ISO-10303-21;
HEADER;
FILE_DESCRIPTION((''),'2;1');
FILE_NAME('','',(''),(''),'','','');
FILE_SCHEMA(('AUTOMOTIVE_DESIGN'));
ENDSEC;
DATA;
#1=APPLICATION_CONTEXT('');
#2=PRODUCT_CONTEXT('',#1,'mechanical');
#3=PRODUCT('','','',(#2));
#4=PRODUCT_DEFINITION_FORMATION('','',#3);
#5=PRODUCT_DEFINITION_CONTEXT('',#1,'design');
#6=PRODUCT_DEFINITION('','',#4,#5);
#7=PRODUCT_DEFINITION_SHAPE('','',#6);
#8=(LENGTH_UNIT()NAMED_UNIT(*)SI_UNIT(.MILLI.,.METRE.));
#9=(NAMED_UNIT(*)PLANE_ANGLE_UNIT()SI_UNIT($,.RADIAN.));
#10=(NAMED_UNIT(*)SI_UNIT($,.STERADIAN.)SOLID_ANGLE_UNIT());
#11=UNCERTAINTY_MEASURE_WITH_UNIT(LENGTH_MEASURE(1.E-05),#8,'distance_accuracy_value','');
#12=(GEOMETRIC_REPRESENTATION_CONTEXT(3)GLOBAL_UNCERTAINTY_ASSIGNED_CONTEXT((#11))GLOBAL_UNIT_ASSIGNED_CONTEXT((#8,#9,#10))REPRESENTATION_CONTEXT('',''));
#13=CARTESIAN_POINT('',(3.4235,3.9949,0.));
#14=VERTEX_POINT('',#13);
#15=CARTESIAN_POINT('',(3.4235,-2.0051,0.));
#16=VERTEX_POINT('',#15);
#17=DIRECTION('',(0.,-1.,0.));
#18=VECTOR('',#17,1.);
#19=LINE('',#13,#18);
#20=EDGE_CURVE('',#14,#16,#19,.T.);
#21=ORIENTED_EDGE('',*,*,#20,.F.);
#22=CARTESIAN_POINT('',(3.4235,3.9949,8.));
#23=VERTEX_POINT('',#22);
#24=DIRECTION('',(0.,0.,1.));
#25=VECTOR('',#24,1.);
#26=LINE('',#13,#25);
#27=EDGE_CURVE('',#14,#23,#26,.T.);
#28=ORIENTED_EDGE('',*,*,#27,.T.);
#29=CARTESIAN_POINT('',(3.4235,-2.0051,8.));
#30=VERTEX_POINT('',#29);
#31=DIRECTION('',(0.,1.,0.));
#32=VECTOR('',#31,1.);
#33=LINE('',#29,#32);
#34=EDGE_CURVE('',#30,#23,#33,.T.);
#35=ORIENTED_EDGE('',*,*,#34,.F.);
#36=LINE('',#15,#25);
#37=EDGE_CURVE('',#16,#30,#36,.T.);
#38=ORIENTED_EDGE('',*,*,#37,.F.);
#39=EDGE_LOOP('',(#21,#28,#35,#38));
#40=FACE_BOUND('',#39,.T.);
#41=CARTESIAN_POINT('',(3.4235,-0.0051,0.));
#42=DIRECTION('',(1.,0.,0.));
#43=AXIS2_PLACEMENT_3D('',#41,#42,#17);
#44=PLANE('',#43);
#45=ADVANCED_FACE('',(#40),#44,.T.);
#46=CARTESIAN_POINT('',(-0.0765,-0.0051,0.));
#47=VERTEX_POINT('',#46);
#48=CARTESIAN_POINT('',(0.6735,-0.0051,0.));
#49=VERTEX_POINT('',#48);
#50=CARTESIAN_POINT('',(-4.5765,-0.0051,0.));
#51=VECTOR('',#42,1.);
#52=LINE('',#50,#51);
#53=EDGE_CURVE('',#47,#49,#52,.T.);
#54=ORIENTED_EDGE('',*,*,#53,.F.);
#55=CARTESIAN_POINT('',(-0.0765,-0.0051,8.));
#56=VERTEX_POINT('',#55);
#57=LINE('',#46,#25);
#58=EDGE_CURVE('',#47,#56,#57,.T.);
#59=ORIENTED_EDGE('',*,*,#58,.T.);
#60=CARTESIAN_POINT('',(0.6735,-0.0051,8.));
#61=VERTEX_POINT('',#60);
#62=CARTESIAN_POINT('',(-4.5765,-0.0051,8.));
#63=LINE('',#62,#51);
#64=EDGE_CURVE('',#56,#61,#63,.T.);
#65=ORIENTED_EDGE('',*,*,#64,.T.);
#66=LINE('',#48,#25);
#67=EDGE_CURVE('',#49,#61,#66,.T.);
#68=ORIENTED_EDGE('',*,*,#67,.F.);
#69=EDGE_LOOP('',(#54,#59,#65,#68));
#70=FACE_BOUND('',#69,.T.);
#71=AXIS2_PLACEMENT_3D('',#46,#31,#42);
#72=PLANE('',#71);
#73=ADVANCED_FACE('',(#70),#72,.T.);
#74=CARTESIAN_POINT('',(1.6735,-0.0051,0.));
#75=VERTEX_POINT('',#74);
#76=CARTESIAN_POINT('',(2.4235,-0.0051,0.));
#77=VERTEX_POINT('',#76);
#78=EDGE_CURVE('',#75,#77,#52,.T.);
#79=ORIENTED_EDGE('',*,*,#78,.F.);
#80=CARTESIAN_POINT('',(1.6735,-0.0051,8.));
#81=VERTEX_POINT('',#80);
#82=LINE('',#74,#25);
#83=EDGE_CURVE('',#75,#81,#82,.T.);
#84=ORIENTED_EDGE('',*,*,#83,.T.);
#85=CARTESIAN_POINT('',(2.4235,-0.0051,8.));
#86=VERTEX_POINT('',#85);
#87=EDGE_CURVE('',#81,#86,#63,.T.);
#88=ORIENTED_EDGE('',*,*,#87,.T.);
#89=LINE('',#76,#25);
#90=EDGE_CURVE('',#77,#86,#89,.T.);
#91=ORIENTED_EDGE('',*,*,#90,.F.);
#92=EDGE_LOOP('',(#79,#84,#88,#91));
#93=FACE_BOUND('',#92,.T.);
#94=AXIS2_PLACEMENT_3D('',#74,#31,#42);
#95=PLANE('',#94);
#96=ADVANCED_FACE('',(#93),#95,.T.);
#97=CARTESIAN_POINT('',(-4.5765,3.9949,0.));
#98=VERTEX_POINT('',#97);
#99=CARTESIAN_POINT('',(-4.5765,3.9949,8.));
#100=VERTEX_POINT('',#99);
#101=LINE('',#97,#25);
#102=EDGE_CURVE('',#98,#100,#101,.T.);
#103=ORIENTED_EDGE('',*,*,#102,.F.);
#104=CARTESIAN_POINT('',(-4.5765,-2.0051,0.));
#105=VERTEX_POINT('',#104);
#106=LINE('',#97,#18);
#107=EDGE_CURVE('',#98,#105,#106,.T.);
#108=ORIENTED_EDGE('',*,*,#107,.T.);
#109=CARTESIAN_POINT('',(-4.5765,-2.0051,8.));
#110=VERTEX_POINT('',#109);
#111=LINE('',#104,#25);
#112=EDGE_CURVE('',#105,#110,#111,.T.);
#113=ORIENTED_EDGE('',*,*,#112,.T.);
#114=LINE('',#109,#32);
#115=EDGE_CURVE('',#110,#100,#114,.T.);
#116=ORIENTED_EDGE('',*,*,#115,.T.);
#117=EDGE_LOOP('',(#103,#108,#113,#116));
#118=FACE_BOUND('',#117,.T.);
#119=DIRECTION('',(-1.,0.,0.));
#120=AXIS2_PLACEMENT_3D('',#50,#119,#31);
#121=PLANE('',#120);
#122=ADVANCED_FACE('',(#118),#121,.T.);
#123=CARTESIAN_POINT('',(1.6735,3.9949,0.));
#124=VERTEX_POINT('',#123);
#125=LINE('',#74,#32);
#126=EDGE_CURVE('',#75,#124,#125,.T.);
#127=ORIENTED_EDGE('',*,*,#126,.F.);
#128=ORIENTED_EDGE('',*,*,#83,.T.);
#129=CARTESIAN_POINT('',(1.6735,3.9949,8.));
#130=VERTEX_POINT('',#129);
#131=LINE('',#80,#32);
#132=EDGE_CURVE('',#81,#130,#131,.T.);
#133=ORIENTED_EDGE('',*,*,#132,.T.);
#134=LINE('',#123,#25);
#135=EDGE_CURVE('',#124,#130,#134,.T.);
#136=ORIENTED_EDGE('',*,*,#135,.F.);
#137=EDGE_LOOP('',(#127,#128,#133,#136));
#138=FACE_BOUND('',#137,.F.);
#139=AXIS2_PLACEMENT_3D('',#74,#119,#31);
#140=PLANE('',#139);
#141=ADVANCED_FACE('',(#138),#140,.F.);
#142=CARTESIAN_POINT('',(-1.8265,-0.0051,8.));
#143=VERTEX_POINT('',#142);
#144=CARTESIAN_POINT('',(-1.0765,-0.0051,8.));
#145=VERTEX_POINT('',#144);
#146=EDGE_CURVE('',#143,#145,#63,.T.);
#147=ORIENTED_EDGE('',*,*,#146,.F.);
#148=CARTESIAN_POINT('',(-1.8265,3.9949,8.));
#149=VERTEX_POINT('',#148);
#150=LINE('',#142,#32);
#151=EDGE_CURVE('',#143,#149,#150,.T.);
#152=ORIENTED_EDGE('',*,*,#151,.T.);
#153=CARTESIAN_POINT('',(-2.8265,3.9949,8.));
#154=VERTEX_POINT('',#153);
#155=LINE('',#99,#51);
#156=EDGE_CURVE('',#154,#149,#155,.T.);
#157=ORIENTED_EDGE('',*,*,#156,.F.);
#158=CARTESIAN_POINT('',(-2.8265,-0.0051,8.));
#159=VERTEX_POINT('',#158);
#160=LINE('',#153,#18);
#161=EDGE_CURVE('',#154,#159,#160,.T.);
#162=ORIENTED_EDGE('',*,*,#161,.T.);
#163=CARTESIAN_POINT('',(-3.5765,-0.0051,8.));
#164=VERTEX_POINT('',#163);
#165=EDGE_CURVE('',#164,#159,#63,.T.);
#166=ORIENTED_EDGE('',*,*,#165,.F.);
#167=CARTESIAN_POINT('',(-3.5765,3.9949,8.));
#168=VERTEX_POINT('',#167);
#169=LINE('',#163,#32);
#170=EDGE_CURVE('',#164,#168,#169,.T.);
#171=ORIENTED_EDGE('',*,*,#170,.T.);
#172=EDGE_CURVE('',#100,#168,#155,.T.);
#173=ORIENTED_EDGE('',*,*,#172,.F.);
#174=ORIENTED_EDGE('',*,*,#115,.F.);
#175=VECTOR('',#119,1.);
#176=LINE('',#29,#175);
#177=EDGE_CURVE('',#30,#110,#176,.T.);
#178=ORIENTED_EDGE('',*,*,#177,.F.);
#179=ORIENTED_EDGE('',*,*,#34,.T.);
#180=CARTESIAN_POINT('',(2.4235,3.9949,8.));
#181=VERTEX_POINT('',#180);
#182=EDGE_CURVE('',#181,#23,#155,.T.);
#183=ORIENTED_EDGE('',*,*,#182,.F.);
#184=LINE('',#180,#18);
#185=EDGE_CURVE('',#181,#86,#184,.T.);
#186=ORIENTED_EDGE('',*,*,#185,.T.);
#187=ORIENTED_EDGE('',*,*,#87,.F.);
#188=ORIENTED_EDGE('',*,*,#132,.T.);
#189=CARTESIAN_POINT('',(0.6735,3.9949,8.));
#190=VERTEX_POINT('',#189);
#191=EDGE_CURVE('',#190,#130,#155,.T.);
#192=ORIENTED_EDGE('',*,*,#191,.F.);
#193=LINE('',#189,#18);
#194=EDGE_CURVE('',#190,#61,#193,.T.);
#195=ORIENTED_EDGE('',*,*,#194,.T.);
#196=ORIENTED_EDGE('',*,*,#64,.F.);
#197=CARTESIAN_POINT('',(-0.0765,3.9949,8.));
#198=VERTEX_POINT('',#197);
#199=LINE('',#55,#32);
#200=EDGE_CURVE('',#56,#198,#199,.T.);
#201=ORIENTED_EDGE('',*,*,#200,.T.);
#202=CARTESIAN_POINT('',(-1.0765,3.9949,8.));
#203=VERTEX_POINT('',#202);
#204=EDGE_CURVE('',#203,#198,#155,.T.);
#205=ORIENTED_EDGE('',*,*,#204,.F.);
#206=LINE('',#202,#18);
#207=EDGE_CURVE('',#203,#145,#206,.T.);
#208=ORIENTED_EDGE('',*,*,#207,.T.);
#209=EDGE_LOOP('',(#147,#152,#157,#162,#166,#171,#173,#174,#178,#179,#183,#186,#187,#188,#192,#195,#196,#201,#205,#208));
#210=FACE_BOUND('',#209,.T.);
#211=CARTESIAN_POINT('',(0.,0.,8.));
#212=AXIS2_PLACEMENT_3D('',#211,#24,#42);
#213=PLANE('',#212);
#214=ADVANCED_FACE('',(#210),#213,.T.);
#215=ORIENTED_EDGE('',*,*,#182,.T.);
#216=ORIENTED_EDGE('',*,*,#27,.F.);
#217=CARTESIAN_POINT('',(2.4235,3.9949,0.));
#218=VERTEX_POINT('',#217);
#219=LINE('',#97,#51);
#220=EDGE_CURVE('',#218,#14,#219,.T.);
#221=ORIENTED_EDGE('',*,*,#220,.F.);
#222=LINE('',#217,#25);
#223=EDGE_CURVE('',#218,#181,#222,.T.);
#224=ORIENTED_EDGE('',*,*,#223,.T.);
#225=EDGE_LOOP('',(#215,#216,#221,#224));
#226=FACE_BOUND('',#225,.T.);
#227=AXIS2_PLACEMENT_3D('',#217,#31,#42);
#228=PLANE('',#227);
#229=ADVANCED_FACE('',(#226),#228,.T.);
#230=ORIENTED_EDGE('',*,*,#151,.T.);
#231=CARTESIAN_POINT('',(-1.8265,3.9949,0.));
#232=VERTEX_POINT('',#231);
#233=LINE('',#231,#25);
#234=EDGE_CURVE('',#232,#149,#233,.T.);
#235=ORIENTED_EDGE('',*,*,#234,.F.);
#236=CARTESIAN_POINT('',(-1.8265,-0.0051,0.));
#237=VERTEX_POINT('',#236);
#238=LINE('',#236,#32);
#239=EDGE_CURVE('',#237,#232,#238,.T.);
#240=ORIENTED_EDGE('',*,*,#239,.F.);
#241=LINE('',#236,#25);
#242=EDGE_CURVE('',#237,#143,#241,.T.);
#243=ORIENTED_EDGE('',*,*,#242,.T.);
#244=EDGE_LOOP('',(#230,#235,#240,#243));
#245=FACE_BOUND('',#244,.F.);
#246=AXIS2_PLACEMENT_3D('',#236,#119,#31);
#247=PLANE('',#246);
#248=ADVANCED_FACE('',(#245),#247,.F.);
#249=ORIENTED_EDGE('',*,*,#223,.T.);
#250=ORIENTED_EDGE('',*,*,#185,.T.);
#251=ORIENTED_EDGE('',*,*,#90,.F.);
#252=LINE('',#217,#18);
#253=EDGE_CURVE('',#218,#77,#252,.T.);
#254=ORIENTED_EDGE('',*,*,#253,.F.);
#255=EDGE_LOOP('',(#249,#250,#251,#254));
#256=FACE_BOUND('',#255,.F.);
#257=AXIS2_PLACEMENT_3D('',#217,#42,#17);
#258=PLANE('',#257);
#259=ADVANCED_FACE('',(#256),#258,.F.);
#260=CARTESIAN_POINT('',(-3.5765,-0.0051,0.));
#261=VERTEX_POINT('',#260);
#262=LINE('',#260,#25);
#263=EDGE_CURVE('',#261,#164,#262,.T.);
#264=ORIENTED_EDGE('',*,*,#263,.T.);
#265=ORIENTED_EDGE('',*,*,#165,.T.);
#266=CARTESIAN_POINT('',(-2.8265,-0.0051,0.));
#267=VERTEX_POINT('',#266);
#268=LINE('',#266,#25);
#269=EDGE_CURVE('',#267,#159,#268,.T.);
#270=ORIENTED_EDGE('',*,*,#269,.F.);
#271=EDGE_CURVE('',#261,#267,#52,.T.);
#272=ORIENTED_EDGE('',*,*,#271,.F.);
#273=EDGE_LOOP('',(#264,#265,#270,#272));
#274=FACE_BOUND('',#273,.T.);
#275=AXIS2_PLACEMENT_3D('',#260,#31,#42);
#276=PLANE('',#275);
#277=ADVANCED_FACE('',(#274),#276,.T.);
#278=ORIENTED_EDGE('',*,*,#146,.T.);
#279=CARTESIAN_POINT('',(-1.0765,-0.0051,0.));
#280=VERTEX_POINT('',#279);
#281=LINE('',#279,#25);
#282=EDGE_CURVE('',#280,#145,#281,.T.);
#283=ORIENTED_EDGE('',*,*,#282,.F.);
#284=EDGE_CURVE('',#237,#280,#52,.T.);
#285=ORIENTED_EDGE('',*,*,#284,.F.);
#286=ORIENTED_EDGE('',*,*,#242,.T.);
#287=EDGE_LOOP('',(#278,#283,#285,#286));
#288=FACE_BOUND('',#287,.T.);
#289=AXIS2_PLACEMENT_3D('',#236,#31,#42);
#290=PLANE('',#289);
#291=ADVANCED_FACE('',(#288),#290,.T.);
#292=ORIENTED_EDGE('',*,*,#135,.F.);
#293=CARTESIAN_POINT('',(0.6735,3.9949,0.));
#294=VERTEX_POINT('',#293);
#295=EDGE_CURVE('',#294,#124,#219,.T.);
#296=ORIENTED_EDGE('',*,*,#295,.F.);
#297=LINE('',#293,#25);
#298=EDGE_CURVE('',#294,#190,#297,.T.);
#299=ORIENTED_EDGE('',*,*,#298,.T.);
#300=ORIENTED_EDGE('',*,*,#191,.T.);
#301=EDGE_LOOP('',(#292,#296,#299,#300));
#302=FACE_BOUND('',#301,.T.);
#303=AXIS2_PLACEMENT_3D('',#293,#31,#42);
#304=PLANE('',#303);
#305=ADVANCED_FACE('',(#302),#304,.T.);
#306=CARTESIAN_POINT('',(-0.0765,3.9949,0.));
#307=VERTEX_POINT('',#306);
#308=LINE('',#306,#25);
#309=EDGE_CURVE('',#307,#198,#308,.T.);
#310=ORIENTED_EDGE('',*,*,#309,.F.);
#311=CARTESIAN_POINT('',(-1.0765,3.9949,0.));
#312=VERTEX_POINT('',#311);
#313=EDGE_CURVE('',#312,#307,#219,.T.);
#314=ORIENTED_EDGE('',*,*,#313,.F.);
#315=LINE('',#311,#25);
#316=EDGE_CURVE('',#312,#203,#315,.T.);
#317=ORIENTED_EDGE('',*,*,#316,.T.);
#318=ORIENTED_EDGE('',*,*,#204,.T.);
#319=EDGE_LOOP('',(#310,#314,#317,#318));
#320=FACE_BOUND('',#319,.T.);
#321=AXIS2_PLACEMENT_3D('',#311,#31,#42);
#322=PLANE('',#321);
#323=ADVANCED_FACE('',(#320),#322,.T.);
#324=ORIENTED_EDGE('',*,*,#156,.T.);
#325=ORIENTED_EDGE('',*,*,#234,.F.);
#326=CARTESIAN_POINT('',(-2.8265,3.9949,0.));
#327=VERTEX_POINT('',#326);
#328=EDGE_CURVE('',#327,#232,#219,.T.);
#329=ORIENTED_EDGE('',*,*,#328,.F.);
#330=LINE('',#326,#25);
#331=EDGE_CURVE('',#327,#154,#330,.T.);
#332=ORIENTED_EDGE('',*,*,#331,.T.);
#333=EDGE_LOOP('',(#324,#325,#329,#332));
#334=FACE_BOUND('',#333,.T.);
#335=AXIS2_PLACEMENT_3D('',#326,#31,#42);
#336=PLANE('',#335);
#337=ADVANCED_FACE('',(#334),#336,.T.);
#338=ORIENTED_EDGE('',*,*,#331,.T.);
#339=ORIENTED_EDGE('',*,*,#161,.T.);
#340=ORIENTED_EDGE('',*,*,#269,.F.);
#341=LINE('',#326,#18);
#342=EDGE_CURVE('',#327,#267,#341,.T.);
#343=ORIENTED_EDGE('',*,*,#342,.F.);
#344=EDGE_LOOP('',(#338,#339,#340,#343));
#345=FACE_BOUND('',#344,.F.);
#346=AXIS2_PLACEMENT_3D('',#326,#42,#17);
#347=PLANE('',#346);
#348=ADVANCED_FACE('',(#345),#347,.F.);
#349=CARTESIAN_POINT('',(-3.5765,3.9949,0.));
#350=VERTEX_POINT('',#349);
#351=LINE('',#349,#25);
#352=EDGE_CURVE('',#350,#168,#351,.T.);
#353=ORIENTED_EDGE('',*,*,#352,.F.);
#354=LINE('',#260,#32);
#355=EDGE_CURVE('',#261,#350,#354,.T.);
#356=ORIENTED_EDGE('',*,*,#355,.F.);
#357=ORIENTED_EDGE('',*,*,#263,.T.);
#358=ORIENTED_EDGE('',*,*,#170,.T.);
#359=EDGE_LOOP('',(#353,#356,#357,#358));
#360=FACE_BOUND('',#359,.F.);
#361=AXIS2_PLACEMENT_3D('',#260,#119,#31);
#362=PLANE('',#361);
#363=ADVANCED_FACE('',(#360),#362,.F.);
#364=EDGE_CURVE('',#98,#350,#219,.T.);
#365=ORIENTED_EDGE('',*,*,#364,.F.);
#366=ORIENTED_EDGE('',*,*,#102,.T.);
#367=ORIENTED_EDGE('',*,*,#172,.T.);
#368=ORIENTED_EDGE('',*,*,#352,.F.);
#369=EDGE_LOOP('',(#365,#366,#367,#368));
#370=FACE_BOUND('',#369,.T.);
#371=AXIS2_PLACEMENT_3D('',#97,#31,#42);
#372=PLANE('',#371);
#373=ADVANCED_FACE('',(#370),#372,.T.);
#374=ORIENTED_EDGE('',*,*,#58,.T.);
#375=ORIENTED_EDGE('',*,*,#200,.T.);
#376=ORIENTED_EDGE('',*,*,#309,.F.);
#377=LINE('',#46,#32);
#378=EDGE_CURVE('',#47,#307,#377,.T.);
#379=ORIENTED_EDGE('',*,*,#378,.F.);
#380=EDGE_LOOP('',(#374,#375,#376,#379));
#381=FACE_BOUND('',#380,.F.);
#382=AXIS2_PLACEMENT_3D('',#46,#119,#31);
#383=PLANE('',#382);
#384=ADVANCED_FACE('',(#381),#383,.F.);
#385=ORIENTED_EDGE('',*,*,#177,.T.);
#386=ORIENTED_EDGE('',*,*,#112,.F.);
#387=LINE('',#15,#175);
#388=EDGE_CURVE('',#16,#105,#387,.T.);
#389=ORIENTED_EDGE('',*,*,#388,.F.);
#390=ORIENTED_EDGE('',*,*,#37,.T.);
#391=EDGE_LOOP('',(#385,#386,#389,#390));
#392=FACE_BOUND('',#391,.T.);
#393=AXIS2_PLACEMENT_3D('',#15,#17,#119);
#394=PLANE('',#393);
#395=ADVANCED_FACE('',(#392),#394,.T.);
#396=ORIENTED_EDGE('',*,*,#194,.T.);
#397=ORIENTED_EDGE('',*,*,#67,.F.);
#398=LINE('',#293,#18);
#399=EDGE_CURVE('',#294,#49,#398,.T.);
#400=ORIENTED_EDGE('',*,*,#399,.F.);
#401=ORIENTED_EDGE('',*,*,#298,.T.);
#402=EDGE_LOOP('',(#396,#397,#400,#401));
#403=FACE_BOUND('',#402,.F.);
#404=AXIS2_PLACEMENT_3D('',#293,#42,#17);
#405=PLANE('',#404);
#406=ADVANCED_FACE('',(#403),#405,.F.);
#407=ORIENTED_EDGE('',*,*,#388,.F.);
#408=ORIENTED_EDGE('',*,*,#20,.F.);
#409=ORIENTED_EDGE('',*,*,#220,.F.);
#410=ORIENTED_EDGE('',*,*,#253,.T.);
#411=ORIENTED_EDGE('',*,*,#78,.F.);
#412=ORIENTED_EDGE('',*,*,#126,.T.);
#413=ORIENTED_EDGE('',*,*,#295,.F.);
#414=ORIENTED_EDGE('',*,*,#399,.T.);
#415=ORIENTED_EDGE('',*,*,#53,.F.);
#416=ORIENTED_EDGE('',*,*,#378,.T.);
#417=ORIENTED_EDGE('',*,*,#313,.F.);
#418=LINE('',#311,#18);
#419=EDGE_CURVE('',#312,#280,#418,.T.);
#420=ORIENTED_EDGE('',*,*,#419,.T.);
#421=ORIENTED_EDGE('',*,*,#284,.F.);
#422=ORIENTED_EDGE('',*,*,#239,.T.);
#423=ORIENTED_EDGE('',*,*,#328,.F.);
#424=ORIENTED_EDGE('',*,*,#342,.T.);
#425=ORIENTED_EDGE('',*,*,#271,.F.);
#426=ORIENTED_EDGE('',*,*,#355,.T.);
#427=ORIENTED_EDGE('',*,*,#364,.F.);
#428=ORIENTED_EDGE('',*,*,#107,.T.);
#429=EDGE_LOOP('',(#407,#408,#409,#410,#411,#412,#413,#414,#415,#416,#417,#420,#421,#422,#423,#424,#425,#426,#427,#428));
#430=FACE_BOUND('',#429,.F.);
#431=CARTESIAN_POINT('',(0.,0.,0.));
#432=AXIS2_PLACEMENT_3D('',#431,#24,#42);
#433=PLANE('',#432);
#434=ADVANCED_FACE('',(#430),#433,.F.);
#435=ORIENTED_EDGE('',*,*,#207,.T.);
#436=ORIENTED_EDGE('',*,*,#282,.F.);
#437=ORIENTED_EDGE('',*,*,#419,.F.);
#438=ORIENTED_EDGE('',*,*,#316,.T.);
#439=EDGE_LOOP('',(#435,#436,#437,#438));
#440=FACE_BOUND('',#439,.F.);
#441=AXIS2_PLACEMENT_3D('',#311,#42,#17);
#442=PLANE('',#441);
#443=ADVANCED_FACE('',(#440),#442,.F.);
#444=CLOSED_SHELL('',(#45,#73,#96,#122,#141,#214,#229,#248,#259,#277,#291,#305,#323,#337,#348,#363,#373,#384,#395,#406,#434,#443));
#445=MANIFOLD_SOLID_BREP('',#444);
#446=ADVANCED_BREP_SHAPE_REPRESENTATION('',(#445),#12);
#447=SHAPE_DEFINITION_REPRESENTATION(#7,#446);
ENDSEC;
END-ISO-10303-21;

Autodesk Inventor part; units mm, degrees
ref_plane "YZ Plane" through (0, 0, 0) normal (1, 0, 0) x (0, 1, 0)
ref_plane "XZ Plane" through (0, 0, 0) normal (0, 1, 0) x (-1, 0, 0)
ref_plane "XY Plane" through (0, 0, 0) normal (0, 0, 1) x (1, 0, 0)
sketch "Sketch1" plane through (0, 0, 0) normal (0, 0, 1) x (1, 0, 0)
  line L0 (-4.5765, 3.9949) -> (3.4235, 3.9949)
  line L1 (3.4235, 3.9949) -> (3.4235, -2.0051)
  line L2 (3.4235, -2.0051) -> (-4.5765, -2.0051)
  line L3 (-4.5765, -2.0051) -> (-4.5765, 3.9949)
  line L4 (-4.5765, -0.0051) -> (3.4235, -0.0051)
  line L5 (-3.5765, 3.9949) -> (-2.8265, 3.9949)
  line L6 (-2.8265, 3.9949) -> (-2.8265, -0.0051)
  line L7 (-2.8265, -0.0051) -> (-3.5765, -0.0051)
  line L8 (-3.5765, -0.0051) -> (-3.5765, 3.9949)
  line L9 (-1.8265, 3.9949) -> (-1.0765, 3.9949)
  line L10 (-1.0765, 3.9949) -> (-1.0765, -0.0051)
  line L11 (-1.0765, -0.0051) -> (-1.8265, -0.0051)
  line L12 (-1.8265, -0.0051) -> (-1.8265, 3.9949)
  line L13 (1.6735, 3.9949) -> (2.4235, 3.9949)
  line L14 (2.4235, 3.9949) -> (2.4235, -0.0051)
  line L15 (2.4235, -0.0051) -> (1.6735, -0.0051)
  line L16 (1.6735, -0.0051) -> (1.6735, 3.9949)
  line L17 (-0.0765, 3.9949) -> (0.6735, 3.9949)
  line L18 (0.6735, 3.9949) -> (0.6735, -0.0051)
  line L19 (0.6735, -0.0051) -> (-0.0765, -0.0051)
  line L20 (-0.0765, -0.0051) -> (-0.0765, 3.9949)
  point P0 (0, 0)
  dimension "d0" = 6
  dimension "d1" = 8
  dimension "d2" = 2
  dimension "d3" = 1
  dimension "d4" = 1
  dimension "d5" = 1
  dimension "d6" = 1
  dimension "d7" = 1
  dimension "d8" = 0.75
  dimension "d9" = 0.75
  dimension "d10" = 0.75
extrude "Extrusion1" add sketch "Sketch1" along normal blind 8 contours L0 L8 L4 L3 | L4 L1 L2 L3 | L0 L12 L4 L6 | L0 L20 L4 L10 | L4 L14 L0 L1 | L0 L16 L4 L18
properties part number "SmallHeatsink"
